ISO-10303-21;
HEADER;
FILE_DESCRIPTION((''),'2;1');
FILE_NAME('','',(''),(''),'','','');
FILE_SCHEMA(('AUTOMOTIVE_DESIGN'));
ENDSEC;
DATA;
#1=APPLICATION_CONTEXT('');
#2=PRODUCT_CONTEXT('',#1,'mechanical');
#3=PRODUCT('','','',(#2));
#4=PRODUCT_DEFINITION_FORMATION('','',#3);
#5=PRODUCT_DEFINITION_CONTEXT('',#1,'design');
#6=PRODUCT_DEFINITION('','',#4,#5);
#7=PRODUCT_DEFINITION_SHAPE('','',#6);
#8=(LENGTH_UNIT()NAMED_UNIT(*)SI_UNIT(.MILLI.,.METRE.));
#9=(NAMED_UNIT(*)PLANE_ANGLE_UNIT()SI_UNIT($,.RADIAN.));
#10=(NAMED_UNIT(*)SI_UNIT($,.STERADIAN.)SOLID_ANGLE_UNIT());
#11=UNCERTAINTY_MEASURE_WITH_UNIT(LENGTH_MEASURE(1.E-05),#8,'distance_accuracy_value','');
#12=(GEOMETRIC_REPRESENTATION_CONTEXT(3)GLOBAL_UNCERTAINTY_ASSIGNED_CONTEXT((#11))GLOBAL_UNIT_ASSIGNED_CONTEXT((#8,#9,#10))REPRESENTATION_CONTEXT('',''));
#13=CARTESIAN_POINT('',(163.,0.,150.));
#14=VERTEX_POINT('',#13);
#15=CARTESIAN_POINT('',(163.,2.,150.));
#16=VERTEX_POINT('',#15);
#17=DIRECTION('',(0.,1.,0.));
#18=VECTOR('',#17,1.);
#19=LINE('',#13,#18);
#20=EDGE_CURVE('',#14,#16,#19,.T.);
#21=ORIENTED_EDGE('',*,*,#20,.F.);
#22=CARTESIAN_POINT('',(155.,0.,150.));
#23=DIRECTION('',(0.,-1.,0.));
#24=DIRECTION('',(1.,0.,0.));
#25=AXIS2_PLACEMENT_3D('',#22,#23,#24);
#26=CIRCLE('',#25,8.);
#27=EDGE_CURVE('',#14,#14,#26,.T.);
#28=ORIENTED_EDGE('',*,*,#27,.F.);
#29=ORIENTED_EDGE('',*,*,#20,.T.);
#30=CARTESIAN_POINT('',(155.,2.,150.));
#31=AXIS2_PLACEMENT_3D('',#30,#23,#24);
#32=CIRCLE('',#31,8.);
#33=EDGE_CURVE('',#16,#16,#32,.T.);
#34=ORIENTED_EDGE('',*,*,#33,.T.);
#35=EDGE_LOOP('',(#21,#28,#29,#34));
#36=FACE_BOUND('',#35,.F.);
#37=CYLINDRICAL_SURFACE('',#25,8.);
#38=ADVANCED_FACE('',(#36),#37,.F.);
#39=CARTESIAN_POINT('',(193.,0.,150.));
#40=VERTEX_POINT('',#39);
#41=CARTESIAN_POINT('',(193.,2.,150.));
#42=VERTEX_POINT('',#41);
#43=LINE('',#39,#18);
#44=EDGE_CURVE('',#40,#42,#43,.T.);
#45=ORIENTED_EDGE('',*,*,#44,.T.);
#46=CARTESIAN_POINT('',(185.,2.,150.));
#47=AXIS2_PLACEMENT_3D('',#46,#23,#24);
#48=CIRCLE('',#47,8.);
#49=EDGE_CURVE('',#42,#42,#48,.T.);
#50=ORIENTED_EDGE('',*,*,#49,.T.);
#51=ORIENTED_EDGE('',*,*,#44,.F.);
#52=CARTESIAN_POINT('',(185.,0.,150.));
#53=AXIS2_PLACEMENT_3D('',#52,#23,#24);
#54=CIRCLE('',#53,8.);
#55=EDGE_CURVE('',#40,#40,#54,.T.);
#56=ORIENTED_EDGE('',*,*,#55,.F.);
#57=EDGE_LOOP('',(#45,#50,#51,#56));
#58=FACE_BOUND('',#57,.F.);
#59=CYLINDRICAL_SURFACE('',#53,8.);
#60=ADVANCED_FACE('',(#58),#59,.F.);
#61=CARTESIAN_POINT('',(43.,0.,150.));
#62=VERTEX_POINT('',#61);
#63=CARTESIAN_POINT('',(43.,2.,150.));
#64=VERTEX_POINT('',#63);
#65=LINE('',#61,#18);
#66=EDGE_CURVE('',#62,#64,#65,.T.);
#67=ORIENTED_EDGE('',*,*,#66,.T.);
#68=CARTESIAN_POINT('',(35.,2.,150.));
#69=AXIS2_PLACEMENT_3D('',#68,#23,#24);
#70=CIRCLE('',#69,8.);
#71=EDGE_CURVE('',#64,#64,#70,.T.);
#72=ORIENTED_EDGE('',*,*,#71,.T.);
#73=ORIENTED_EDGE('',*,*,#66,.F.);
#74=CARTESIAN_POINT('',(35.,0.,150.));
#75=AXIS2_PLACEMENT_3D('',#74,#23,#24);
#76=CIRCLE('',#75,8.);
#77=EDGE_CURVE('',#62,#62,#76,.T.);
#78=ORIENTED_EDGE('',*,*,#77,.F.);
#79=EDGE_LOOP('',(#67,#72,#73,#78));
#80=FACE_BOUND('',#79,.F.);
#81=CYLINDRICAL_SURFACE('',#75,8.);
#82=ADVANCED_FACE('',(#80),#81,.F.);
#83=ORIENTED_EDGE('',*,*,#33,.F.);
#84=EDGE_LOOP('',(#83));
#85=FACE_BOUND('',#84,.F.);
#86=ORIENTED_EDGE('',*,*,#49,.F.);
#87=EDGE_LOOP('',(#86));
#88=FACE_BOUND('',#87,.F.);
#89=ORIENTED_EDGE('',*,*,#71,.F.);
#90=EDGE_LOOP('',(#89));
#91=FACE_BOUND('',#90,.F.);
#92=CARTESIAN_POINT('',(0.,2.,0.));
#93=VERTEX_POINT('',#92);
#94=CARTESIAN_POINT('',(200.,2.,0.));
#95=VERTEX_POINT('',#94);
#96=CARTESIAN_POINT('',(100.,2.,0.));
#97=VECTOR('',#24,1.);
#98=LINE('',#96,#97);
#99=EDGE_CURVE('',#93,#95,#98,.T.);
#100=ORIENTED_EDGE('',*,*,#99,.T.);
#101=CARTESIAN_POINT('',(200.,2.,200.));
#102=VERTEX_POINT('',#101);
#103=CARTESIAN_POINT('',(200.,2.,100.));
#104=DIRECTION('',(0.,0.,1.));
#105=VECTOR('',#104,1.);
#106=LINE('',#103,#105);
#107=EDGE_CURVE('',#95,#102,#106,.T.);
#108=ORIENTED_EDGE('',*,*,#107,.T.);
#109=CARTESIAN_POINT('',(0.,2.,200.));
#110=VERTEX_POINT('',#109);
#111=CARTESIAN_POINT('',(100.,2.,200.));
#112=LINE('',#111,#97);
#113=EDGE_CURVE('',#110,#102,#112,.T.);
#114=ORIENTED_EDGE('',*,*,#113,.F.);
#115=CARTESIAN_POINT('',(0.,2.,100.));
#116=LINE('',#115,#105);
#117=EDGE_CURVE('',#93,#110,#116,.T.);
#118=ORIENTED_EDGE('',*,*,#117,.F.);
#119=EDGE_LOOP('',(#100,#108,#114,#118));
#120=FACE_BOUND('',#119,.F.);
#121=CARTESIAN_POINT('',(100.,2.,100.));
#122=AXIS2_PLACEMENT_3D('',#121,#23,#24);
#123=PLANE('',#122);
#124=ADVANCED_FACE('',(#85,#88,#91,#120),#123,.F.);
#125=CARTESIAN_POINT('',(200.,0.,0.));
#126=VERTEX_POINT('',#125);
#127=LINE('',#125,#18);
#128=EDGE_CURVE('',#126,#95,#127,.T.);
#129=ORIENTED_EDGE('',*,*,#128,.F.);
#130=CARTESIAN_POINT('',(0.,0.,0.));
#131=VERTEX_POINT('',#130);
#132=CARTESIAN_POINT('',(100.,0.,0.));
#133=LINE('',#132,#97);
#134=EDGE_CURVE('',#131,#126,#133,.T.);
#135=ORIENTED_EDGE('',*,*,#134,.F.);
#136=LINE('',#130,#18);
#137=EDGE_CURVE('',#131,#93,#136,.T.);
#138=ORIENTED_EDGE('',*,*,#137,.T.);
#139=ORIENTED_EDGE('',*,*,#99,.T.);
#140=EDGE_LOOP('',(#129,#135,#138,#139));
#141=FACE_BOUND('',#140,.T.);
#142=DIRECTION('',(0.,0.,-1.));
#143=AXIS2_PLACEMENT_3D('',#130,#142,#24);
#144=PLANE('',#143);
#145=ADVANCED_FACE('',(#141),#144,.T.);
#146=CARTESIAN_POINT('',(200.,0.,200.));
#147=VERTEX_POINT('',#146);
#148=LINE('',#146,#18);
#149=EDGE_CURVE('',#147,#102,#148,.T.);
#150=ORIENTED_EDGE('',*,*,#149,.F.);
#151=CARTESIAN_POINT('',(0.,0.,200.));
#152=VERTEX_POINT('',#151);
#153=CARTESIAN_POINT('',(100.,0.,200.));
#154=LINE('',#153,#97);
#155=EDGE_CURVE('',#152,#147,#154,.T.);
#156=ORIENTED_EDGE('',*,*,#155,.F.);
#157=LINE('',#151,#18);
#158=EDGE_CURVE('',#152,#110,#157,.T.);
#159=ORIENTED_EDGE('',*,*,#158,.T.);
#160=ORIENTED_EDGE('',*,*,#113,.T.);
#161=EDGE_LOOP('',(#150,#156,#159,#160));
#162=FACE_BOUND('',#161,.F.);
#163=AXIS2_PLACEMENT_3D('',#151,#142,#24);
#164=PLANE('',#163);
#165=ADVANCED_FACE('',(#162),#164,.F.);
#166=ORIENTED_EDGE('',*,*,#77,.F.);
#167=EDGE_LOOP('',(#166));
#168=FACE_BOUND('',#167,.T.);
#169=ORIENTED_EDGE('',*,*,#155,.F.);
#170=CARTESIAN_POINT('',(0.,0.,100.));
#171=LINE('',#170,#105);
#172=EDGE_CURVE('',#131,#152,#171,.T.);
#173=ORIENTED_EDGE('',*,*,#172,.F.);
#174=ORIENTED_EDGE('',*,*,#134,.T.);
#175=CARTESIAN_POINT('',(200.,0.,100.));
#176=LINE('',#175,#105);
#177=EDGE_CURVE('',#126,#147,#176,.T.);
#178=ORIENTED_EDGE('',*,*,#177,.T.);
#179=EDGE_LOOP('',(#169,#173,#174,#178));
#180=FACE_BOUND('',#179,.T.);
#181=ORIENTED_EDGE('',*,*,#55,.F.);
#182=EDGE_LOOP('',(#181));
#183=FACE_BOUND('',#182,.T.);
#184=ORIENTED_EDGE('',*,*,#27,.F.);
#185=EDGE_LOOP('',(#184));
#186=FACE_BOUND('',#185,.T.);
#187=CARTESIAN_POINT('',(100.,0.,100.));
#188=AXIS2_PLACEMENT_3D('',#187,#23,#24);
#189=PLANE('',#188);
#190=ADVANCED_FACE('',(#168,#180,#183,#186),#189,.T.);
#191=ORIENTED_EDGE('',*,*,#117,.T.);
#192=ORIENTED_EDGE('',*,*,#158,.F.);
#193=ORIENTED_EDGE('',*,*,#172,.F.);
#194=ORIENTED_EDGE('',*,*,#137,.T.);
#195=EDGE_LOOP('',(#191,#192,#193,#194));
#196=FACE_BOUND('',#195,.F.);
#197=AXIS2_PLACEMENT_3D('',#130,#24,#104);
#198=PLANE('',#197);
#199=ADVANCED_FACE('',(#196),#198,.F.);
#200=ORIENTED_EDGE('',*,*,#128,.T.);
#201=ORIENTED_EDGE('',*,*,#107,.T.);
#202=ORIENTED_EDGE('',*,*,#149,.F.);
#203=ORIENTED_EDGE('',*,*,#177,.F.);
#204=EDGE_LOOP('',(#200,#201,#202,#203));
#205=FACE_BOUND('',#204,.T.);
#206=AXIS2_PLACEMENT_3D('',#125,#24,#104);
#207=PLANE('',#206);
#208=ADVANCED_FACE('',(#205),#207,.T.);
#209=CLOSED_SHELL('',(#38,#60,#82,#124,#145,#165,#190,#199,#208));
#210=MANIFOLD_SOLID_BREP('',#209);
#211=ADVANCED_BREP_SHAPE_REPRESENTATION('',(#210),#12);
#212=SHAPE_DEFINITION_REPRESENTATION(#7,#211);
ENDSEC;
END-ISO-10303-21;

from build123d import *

# Parameters (mm, degrees)
F0_W     = 200
F0_H     = 200
F1_DEPTH = 2
F2_R     = 8
F3_DEPTH = 2


with BuildPart() as f1:
    # F0 (on Front) → F1 (new body)
    with BuildSketch(Plane.XZ):
        with Locations((100, 100)):
            Rectangle(F0_W, F0_H)
    extrude(amount=-F1_DEPTH)

    # F2 (on face) → F3 (cut, through all)
    with BuildSketch(Plane.XZ):
        with Locations((35, 150)):
            Circle(F2_R)
        with Locations((155, 150)):
            Circle(F2_R)
        with Locations((185, 150)):
            Circle(F2_R)
    extrude(amount=-F3_DEPTH, mode=Mode.SUBTRACT)


solid = f1.part
